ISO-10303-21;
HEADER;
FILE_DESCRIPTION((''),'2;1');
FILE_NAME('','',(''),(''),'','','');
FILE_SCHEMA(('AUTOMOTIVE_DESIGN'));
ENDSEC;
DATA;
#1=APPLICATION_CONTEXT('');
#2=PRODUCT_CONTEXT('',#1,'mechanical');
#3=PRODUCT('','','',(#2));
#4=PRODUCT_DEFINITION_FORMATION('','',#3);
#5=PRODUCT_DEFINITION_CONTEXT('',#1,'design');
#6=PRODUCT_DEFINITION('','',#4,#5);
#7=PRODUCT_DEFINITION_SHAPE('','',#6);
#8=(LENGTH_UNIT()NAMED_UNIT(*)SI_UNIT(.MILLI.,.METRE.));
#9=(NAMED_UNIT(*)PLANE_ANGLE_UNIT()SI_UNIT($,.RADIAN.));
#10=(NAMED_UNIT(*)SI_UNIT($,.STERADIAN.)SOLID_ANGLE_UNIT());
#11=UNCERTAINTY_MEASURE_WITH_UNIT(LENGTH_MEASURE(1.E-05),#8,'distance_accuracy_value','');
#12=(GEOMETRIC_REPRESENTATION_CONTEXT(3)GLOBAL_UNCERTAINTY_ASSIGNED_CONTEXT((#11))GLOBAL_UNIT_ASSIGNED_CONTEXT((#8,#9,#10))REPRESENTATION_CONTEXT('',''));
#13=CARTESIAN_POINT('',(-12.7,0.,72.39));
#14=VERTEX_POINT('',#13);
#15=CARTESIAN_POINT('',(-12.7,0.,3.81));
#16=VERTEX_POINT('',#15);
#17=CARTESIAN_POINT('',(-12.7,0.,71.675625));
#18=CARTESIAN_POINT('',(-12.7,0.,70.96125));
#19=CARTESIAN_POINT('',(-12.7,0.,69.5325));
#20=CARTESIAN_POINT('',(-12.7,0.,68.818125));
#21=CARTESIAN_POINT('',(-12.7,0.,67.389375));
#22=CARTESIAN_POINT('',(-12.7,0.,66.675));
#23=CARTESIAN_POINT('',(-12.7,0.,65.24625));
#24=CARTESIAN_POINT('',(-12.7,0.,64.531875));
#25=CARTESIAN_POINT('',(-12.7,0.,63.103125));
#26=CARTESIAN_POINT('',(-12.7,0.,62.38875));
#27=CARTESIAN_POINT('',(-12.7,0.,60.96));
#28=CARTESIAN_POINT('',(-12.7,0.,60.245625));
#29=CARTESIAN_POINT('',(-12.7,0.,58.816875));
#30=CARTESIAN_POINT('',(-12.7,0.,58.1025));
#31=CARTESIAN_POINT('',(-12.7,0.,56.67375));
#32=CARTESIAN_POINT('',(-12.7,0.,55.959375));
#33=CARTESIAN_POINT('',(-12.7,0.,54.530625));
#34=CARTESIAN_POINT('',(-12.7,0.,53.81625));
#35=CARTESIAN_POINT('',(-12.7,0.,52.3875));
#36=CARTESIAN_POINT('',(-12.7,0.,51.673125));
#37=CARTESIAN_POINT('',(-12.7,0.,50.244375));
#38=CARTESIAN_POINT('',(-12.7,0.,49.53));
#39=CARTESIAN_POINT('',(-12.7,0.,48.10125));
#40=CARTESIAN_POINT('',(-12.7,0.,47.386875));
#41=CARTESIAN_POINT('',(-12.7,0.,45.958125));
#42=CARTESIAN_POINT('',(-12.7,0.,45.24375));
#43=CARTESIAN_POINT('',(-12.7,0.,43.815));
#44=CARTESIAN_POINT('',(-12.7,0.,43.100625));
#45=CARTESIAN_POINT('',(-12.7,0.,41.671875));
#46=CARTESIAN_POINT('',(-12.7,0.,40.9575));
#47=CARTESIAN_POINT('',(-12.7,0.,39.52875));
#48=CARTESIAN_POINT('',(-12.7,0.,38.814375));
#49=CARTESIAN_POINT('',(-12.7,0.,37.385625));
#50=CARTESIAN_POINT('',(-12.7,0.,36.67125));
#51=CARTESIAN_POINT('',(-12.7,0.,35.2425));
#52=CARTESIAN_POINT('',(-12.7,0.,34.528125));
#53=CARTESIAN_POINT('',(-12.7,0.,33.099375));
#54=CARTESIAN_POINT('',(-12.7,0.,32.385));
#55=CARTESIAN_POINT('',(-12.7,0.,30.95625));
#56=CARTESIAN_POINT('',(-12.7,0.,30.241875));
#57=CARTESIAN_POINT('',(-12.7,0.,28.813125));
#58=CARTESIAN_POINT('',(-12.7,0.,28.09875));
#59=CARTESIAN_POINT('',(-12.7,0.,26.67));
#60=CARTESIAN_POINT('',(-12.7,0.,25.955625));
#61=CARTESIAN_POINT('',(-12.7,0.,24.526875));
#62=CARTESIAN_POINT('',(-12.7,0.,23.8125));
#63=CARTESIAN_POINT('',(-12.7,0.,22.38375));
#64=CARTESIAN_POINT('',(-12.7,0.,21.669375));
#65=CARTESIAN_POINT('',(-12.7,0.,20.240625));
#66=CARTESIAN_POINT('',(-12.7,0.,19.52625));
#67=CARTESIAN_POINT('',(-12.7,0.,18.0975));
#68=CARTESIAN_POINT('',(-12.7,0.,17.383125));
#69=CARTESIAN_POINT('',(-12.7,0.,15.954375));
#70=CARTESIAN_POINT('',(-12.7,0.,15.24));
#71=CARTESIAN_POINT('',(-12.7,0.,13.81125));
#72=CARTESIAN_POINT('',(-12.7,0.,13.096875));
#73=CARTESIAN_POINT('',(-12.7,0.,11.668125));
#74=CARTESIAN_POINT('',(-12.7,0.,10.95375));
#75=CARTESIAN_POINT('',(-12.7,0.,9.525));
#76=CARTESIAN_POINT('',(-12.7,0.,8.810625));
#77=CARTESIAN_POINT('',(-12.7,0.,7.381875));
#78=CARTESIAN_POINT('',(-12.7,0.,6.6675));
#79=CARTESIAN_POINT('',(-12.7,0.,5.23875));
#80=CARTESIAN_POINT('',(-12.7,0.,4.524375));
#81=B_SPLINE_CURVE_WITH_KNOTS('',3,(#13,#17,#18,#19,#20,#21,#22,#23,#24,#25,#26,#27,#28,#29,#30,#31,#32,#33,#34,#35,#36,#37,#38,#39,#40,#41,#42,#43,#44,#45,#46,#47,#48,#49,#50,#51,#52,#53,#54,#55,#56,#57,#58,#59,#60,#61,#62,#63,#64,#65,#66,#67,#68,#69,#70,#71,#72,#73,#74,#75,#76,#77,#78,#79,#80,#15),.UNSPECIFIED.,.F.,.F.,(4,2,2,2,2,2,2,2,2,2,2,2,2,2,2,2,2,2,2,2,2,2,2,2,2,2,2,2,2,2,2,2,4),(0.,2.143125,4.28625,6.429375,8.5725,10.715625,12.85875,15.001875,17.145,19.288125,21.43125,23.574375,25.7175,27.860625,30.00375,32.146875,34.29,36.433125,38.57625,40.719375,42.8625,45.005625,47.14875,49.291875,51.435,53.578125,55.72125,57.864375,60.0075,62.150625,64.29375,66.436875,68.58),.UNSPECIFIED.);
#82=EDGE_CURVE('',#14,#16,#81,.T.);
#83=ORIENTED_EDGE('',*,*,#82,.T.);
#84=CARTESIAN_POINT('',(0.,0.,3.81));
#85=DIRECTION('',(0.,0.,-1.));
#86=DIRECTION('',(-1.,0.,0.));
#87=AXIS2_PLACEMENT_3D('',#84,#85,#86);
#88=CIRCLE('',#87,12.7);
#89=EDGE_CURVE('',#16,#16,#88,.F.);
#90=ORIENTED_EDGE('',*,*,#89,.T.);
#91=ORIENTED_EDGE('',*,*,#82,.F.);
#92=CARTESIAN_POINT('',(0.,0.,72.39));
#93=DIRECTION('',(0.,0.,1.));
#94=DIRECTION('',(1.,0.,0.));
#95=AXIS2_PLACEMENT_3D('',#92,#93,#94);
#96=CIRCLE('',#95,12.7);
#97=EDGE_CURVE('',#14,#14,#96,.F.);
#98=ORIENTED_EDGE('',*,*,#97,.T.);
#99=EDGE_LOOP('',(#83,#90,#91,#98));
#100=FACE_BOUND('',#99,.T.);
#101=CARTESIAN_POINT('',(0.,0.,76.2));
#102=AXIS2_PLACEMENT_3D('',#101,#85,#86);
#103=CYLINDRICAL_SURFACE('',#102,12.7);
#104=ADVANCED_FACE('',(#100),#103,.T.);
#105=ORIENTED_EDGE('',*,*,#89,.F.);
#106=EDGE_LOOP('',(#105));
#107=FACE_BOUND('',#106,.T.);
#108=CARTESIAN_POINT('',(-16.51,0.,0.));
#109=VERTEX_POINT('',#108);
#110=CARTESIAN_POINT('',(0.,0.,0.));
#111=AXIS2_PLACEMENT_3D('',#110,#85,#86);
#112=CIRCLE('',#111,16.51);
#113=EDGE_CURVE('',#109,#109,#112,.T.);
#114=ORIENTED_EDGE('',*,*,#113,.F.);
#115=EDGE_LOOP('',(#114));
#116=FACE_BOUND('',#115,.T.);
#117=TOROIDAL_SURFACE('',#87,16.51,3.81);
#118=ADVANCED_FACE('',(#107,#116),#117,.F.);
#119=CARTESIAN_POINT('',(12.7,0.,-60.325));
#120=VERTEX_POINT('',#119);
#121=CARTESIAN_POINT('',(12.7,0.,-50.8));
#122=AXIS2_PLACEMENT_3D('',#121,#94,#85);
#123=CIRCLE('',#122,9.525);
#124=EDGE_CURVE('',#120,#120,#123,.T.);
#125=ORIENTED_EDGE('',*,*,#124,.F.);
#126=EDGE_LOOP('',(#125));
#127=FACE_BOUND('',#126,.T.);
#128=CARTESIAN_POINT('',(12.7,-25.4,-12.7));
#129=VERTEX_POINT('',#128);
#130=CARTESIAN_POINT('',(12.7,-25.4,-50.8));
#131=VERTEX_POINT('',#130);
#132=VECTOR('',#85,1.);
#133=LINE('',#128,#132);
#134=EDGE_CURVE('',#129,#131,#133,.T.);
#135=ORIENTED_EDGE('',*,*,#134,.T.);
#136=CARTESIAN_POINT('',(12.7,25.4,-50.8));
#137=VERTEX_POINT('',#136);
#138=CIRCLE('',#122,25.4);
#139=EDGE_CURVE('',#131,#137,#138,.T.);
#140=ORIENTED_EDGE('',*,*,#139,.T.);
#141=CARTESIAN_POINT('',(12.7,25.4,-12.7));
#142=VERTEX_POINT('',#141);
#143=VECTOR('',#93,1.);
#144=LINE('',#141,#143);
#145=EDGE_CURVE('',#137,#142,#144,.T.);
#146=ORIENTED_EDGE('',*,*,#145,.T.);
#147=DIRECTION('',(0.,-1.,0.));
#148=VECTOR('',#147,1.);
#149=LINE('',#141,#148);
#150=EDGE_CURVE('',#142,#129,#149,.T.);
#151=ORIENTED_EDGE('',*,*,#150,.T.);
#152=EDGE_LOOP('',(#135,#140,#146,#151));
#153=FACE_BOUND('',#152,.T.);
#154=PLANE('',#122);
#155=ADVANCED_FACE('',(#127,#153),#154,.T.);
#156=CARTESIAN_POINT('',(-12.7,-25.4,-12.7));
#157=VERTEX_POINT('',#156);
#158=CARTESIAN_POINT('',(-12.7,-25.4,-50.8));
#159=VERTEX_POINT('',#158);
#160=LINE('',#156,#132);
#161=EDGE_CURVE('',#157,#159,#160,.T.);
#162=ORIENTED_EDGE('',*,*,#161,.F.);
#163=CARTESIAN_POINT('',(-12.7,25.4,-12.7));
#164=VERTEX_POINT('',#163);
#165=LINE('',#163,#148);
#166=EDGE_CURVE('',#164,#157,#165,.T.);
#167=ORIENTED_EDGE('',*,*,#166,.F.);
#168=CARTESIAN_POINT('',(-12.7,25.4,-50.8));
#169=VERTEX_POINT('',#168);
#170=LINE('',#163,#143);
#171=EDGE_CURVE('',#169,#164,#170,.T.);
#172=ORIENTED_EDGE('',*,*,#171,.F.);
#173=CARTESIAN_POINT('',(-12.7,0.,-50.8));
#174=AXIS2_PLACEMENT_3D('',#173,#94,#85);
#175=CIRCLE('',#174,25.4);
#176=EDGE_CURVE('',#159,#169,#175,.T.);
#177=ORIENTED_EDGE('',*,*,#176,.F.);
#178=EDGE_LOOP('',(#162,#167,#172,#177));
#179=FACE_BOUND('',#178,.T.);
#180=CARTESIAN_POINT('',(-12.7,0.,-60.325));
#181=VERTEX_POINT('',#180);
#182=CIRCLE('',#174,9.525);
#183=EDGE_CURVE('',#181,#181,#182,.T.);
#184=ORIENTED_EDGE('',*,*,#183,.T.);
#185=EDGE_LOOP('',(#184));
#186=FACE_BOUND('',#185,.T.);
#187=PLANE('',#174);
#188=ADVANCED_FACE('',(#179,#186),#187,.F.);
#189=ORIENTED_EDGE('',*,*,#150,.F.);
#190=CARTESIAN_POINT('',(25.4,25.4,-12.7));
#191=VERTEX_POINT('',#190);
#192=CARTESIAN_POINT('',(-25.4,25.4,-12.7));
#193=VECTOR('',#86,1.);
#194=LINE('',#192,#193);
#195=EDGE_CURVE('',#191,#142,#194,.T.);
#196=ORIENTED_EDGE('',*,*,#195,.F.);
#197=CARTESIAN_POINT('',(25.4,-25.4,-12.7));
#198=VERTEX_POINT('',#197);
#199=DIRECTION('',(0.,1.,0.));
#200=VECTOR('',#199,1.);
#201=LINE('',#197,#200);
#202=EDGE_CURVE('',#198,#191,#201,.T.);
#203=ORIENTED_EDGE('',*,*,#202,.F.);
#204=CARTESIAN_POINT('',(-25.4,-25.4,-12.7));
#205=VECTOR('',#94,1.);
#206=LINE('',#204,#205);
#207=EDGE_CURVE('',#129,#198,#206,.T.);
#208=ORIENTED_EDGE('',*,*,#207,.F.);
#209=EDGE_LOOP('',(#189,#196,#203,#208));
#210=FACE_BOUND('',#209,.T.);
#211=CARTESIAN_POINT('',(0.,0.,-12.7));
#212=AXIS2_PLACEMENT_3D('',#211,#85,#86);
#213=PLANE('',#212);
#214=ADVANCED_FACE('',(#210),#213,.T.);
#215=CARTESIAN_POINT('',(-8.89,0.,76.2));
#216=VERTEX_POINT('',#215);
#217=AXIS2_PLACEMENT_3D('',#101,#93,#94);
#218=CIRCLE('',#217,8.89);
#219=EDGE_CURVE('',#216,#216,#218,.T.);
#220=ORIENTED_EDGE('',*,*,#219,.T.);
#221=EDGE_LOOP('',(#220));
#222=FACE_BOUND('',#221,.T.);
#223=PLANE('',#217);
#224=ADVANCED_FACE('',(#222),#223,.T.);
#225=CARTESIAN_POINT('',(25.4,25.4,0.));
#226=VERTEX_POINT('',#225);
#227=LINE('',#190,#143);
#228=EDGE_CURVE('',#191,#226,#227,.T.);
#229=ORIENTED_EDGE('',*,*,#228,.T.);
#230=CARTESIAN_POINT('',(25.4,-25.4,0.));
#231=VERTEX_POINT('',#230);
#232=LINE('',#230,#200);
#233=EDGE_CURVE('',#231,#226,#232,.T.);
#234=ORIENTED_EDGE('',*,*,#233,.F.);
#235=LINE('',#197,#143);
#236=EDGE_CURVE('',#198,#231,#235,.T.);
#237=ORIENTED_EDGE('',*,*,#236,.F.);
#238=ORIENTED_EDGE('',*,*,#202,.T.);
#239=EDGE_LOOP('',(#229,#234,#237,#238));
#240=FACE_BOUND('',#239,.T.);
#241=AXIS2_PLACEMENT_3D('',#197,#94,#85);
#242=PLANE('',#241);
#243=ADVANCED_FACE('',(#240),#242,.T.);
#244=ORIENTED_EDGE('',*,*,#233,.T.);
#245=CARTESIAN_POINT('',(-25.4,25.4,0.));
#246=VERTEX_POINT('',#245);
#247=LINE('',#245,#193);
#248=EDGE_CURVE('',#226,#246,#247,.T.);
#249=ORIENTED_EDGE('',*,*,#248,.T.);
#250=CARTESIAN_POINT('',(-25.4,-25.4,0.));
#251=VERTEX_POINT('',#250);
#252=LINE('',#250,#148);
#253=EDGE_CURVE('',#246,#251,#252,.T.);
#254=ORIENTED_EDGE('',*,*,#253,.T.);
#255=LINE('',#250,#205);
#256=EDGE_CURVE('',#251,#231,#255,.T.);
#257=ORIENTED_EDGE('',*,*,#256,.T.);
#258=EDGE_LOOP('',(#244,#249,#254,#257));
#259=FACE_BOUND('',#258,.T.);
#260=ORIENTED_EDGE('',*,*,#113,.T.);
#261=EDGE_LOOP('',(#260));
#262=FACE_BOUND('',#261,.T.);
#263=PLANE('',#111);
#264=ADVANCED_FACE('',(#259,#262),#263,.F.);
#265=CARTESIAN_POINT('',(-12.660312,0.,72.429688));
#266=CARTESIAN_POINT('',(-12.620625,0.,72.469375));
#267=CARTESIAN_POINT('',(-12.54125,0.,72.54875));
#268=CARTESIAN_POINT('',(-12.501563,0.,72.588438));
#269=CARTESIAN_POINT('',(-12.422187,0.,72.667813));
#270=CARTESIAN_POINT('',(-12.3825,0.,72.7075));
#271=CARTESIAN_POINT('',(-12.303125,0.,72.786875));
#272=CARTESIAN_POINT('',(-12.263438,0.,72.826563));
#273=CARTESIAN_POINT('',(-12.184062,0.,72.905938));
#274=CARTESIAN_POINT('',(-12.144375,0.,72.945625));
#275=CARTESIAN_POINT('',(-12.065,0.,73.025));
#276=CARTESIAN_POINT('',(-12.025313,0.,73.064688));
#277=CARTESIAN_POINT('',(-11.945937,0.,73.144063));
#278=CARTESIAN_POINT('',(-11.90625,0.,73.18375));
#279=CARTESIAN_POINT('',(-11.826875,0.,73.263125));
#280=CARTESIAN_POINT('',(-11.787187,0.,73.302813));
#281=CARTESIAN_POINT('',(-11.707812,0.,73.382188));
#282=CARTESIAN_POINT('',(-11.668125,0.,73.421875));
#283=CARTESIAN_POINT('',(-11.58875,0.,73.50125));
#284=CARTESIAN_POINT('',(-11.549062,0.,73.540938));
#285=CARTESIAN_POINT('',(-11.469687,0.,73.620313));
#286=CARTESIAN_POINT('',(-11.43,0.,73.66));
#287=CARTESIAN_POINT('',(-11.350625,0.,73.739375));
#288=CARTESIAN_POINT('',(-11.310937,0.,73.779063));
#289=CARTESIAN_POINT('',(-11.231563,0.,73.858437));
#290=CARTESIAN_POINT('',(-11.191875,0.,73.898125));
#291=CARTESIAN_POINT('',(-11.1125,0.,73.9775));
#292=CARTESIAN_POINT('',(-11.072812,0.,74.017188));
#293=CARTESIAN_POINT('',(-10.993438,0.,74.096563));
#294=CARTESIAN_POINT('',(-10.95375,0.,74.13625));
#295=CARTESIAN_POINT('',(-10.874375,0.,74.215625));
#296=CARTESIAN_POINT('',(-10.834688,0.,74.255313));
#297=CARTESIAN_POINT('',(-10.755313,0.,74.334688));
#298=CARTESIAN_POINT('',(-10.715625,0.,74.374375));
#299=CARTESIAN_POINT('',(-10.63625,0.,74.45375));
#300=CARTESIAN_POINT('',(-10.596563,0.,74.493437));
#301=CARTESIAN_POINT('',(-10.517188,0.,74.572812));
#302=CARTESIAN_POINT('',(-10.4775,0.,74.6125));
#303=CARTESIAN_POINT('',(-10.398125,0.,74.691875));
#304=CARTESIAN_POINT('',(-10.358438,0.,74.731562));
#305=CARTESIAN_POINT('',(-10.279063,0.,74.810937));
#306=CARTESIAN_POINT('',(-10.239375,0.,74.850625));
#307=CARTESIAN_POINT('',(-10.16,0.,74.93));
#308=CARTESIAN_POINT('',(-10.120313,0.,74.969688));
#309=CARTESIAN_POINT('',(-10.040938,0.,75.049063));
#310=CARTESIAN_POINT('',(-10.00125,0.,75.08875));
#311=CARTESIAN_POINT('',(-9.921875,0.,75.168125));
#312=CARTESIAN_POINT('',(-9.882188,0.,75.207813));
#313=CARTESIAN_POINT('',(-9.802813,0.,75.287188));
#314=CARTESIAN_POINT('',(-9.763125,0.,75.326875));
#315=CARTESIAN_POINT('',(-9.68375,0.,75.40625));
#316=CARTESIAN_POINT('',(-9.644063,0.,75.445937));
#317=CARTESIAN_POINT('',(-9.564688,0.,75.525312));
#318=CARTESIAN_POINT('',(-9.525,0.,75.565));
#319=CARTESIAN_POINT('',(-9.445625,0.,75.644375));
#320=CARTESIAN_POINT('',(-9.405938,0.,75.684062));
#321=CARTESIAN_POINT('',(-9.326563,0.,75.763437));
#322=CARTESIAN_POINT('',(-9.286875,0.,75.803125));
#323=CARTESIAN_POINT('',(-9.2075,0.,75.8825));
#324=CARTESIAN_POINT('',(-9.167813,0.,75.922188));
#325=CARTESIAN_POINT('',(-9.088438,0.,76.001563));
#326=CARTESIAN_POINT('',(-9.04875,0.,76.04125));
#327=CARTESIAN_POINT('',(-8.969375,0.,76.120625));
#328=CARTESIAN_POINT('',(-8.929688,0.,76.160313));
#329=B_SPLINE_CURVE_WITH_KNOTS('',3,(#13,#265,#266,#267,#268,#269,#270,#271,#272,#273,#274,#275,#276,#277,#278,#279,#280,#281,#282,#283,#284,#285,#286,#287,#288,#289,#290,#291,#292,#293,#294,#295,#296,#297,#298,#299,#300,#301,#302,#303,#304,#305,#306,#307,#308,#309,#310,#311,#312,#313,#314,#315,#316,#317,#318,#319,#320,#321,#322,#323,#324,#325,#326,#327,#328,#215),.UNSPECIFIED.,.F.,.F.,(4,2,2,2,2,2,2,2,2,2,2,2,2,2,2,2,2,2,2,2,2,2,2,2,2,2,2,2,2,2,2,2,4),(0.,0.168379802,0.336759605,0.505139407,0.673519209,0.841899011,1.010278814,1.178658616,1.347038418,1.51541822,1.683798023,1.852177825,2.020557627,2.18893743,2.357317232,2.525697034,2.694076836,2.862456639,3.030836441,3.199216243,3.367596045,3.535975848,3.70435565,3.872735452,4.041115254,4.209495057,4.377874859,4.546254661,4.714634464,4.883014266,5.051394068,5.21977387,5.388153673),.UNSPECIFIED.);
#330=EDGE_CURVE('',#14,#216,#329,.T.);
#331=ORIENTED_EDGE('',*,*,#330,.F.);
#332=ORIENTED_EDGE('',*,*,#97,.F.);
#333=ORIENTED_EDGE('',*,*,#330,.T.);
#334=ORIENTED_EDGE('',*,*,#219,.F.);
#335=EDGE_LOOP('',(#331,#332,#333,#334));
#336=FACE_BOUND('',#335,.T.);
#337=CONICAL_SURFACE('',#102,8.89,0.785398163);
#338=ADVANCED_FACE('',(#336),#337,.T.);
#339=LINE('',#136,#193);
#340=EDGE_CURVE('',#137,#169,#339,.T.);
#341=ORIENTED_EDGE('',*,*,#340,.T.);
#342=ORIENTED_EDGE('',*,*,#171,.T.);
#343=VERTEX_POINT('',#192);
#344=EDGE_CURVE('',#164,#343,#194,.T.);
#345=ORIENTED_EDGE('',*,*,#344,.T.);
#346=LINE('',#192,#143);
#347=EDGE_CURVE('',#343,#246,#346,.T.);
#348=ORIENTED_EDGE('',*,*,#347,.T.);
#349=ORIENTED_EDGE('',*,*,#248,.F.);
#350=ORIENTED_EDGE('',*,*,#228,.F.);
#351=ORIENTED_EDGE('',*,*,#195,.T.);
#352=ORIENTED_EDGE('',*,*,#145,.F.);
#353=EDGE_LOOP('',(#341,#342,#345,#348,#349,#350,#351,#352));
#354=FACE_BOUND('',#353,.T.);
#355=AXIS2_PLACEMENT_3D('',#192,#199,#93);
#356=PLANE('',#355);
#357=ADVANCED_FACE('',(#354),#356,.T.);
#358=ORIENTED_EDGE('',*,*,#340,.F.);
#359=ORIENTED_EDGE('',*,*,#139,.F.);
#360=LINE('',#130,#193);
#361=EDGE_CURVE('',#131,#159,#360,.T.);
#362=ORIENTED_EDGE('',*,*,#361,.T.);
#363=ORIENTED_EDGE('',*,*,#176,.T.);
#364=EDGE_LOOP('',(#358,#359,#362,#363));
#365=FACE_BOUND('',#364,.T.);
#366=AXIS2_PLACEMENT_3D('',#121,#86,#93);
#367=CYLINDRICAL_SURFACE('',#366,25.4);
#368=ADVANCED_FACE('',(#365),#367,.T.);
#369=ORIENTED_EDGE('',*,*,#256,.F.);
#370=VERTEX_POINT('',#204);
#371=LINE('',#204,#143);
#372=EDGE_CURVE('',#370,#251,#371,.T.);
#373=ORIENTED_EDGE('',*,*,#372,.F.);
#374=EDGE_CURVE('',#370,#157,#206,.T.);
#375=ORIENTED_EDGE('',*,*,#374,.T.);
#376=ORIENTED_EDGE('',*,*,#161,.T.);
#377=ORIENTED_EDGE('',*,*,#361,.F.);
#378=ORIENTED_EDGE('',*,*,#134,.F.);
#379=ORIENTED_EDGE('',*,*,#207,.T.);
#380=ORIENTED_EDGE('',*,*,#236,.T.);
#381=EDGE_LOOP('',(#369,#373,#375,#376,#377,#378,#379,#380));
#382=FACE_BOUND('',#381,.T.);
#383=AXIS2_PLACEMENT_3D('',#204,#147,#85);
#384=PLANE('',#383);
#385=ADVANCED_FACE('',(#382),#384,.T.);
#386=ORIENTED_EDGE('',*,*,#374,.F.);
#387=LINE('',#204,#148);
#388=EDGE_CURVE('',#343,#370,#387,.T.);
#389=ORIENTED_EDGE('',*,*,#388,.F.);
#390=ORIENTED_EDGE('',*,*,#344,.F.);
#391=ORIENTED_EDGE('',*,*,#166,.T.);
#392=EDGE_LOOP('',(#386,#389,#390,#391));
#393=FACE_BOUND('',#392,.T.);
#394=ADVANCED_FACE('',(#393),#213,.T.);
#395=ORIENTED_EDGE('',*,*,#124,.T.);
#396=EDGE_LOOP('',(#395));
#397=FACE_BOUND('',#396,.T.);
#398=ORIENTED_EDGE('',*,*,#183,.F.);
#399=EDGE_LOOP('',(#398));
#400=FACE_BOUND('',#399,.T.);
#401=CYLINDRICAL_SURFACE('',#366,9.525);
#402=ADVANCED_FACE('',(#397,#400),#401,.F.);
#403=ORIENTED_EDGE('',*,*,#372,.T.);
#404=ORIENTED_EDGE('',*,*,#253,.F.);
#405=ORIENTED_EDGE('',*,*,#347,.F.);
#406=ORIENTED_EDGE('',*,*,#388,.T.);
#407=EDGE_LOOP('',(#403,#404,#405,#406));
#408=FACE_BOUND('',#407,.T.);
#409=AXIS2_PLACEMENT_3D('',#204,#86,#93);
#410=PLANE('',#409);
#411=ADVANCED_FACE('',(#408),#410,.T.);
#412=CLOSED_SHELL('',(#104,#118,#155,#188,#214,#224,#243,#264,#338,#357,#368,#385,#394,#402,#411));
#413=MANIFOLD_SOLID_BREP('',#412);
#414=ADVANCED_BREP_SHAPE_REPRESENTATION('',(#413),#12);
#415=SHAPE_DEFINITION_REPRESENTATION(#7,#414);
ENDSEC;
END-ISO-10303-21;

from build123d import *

# Parameters (mm, degrees)
SKETCH1_W         = 50.8
SKETCH1_H         = 50.8
SQUARE_BASE_DEPTH = 12.7
SKETCH2_R         = 12.7
LONG_PIN_DEPTH    = 76.2
SKETCH3_R         = 9.525
EYELET_DEPTH      = 12.7
FILLET1_R         = 3.81
CHAMFER1_SIZE     = 3.81


with BuildPart() as part:
    # Sketch1 → Square Base (new body)
    with BuildSketch(Plane.XY):
        Rectangle(SKETCH1_W, SKETCH1_H)
    extrude(amount=-SQUARE_BASE_DEPTH)

    # Sketch2 → Long Pin (add)
    with BuildSketch(Plane.XY):
        with Locations(Location((0, 0, 0), (0, 0, 180))):
            Circle(SKETCH2_R)
    extrude(amount=LONG_PIN_DEPTH)

    # Sketch3 → Eyelet (add, symmetric)
    with BuildSketch(Plane(origin=(0, 0, 0), x_dir=(0, 0, -1), z_dir=(1, 0, 0))):
        with BuildLine():
            Line((12.7, 25.4), (50.8, 25.4))
            ThreePointArc((50.8, 25.4), (76.2, 0), (50.8, -25.4))
            Line((50.8, -25.4), (12.7, -25.4))
            Line((12.7, -25.4), (12.7, 25.4))
        make_face()
        with Locations((50.8, 0)):
            Circle(SKETCH3_R, mode=Mode.SUBTRACT)
    extrude(amount=EYELET_DEPTH, both=True)

    # Fillet1
    fillet1_edges = [part.edges().sort_by_distance(p)[0] for p in [
        (12.7, 0, 0),
    ]]
    fillet(fillet1_edges, radius=FILLET1_R)

    # Chamfer1
    chamfer1_edges = [part.edges().sort_by_distance(p)[0] for p in [
        (12.7, 0, 76.2),
    ]]
    chamfer(chamfer1_edges, length=CHAMFER1_SIZE)


solid = part.part
